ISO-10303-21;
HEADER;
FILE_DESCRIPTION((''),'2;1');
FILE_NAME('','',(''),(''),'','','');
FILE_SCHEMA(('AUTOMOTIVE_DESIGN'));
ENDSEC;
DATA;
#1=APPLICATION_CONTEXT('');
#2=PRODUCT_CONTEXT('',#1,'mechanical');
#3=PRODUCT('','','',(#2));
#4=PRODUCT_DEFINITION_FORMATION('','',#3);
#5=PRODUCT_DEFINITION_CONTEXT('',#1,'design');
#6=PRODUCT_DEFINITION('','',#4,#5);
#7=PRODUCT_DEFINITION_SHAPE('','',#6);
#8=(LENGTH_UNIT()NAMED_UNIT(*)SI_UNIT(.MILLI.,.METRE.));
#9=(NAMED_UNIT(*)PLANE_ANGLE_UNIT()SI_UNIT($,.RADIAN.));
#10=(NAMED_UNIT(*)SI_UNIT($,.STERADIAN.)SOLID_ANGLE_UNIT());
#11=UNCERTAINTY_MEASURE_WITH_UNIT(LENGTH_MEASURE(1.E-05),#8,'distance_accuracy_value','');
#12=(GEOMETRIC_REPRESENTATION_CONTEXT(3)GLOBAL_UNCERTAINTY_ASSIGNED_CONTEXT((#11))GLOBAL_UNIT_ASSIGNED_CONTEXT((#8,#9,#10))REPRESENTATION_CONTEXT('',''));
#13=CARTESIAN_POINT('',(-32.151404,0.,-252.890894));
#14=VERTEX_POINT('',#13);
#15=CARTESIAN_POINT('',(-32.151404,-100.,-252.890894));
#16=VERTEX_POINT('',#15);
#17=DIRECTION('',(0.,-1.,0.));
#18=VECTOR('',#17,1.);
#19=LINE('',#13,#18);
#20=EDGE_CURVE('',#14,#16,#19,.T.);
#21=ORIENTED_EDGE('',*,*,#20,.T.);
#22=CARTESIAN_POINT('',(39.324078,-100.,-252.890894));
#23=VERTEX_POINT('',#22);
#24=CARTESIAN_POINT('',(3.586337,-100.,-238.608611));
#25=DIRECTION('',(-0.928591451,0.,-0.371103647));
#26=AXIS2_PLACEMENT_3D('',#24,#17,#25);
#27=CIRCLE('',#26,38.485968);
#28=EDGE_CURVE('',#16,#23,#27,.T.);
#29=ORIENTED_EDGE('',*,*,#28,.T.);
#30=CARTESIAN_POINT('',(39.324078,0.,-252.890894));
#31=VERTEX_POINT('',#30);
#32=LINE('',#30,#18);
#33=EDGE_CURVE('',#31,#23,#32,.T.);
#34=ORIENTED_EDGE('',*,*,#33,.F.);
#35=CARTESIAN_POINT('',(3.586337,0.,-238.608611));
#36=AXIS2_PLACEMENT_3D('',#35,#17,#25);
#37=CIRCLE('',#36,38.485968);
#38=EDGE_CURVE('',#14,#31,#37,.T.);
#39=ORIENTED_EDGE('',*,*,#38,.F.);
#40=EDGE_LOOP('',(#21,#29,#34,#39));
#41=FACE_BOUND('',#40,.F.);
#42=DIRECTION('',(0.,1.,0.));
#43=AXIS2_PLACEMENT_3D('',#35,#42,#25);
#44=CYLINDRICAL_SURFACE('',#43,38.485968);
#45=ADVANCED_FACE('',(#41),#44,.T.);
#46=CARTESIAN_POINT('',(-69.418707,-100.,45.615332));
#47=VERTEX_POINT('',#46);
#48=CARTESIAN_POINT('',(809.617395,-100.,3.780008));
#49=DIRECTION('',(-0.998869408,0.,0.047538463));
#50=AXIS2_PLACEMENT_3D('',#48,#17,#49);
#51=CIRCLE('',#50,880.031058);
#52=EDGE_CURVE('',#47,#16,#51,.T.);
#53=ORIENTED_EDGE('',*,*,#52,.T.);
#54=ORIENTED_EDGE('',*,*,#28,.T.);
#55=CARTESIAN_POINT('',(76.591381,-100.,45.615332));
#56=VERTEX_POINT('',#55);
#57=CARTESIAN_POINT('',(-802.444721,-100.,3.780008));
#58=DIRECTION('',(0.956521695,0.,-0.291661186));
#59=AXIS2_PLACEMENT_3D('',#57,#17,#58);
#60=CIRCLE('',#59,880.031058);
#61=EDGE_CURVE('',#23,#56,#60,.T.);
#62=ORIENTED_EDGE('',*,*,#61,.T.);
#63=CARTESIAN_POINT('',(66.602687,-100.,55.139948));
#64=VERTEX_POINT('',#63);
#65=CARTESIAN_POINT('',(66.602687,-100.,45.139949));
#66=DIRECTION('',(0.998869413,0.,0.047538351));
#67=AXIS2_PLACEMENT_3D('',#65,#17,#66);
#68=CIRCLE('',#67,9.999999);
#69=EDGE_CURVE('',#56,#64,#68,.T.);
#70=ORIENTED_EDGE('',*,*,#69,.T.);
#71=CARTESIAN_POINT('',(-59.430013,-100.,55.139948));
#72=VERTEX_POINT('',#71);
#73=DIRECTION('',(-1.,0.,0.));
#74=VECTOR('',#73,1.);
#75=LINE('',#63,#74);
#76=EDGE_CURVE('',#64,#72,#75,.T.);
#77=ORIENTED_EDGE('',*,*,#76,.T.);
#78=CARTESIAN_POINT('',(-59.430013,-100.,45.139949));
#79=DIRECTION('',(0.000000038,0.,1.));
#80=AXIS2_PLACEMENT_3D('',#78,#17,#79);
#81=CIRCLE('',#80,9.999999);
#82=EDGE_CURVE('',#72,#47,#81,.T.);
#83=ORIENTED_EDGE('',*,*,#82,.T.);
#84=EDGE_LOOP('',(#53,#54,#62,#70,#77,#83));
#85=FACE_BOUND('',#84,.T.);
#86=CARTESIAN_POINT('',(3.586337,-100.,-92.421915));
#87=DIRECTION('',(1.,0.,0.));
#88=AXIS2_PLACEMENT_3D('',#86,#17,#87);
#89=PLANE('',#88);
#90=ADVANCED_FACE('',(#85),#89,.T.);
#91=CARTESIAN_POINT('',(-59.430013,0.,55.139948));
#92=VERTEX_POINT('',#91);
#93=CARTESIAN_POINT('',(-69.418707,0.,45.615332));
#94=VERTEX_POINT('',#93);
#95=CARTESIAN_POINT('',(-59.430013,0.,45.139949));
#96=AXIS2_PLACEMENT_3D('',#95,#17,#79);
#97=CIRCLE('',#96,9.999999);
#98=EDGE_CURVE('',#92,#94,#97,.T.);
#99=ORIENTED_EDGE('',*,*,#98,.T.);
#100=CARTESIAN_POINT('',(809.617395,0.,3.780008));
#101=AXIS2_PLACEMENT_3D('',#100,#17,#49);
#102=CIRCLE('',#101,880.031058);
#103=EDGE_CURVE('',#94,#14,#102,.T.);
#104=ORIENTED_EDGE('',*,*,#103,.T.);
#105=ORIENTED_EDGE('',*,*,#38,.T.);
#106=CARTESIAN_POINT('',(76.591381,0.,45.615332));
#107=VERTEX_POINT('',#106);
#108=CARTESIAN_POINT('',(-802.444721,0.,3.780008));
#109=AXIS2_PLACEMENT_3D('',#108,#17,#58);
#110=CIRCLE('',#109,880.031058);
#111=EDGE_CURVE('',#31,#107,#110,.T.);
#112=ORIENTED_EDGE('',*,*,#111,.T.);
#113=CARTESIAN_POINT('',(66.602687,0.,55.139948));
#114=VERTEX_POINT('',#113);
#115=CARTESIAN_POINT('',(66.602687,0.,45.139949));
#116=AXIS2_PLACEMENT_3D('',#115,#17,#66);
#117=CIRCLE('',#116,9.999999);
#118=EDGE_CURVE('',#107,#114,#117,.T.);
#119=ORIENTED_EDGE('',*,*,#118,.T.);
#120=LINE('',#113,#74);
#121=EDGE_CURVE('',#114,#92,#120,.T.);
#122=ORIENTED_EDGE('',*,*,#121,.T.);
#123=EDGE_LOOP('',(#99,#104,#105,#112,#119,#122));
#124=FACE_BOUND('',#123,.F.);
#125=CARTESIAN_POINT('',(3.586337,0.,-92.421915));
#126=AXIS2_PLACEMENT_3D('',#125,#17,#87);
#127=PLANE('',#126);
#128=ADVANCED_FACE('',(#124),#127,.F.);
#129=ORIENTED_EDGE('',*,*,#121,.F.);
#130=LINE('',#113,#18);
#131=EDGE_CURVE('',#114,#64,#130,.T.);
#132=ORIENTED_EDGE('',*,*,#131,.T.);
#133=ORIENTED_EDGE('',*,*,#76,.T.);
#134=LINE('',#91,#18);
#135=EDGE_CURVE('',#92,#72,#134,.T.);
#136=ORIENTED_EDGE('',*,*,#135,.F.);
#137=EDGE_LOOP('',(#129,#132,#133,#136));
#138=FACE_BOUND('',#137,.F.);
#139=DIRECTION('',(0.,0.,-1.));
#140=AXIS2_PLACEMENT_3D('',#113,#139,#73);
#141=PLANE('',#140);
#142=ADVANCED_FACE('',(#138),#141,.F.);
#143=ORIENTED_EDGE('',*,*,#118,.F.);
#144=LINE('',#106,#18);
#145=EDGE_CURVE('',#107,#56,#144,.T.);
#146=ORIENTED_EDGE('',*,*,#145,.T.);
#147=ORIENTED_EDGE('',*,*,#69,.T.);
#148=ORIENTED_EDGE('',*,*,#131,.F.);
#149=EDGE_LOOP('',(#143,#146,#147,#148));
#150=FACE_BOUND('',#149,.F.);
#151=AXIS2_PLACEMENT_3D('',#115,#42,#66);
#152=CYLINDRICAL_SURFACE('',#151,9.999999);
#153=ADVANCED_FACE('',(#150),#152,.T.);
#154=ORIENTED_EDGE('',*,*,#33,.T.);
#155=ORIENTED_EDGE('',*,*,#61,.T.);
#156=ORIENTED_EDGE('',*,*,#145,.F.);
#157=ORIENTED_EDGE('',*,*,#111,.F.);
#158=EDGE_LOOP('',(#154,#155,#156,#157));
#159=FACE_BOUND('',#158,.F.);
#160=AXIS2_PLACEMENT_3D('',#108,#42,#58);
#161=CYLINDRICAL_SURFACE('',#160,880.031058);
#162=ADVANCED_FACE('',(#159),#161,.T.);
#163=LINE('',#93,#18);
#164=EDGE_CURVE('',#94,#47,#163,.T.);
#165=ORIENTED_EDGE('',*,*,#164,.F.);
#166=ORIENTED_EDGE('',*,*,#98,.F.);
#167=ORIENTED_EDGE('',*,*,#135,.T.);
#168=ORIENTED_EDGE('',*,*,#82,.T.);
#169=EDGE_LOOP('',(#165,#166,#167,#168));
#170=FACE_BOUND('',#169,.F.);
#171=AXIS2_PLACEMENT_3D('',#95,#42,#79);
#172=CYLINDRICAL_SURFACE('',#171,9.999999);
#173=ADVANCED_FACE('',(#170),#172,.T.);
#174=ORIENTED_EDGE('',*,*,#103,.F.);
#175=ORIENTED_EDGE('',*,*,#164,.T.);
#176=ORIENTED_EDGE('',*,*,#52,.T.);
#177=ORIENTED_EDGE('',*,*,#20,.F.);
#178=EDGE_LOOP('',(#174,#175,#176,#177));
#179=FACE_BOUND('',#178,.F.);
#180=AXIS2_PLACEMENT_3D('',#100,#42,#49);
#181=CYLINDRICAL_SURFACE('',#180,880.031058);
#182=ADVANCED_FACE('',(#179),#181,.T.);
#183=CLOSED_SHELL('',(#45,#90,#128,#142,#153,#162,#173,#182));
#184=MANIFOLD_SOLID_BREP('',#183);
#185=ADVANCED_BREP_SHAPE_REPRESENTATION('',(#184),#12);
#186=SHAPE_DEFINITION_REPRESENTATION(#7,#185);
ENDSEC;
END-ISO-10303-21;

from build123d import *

# Parameters (mm, degrees)
F1_DEPTH = 100


with BuildPart() as f1:
    # F0 (on Front) → F1 (new body)
    with BuildSketch(Plane.XZ):
        with BuildLine():
            Line((66.602687, 55.139948), (-59.430013, 55.139948))
            ThreePointArc((-59.430013, 55.139948), (-66.330961, 52.377138), (-69.418707, 45.615332))
            ThreePointArc((-69.418707, 45.615332), (-63.634498, -105.241982), (-32.151404, -252.890894))
            ThreePointArc((-32.151404, -252.890894), (3.586337, -277.094579), (39.324078, -252.890894))
            ThreePointArc((39.324078, -252.890894), (70.807172, -105.241982), (76.591381, 45.615332))
            ThreePointArc((76.591381, 45.615332), (73.503635, 52.377138), (66.602687, 55.139948))
        make_face()
    extrude(amount=F1_DEPTH)


solid = f1.part
